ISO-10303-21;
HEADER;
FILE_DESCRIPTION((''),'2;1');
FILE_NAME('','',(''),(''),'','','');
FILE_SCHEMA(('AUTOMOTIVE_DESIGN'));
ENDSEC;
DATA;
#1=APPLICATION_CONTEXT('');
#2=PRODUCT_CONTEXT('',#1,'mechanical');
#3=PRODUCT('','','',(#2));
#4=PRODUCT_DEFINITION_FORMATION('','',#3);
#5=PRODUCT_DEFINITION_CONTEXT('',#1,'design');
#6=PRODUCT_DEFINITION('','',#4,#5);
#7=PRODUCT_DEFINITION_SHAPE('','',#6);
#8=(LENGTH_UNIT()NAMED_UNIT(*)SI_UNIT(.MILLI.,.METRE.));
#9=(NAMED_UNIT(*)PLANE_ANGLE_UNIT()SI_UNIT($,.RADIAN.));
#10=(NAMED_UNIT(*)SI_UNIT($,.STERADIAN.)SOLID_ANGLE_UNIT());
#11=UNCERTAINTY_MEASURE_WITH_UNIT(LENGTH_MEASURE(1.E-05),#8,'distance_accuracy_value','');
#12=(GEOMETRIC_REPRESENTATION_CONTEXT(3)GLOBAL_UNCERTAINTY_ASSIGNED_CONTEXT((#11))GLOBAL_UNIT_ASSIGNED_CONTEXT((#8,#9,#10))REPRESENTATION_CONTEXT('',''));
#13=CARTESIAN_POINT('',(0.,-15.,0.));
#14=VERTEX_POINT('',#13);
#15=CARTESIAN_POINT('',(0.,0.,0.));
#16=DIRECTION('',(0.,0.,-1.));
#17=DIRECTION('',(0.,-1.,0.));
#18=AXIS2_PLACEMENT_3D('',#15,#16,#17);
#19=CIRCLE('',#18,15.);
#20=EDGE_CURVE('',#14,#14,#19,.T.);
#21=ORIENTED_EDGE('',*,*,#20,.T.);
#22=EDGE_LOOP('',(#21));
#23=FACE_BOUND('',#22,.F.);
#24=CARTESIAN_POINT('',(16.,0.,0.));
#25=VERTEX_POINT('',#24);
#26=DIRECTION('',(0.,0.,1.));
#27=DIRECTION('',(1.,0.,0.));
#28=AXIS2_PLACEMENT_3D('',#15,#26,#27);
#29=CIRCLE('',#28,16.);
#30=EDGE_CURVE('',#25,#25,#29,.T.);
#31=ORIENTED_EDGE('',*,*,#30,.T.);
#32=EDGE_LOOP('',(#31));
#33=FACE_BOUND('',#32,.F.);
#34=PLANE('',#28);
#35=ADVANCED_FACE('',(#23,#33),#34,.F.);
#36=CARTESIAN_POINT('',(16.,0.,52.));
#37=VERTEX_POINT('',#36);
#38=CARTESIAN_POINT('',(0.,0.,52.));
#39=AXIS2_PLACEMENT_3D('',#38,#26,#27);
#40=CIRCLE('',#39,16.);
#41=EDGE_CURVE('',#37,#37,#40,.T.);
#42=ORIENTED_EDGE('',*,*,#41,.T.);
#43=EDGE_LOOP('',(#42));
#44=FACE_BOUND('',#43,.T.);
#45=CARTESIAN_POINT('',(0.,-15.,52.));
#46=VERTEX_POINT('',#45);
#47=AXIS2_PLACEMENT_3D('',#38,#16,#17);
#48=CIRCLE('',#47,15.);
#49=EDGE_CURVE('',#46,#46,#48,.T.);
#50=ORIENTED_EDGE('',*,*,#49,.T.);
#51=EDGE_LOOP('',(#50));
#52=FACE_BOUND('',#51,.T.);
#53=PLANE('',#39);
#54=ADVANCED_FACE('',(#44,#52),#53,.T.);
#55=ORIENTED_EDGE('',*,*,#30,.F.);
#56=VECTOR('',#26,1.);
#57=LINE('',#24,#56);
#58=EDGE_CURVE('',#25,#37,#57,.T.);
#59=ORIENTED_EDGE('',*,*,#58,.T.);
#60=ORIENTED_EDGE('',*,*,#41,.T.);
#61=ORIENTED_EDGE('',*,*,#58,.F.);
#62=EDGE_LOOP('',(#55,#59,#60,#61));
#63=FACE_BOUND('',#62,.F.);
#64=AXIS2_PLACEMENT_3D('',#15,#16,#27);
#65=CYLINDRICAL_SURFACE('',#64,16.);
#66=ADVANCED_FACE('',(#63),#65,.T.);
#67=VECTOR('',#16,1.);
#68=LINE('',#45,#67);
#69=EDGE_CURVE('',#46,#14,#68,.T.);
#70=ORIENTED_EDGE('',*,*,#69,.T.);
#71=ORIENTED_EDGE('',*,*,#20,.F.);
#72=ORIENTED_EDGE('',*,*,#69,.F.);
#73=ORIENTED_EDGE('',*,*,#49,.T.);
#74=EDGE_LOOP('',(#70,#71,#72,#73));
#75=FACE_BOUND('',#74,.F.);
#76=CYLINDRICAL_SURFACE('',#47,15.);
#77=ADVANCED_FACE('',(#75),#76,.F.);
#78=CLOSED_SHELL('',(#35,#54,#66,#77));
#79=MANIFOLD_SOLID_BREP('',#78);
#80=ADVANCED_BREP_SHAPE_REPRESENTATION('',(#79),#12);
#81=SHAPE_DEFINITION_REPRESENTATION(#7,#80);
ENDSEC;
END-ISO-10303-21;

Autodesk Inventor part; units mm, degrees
ref_plane "YZ Plane" through (0, 0, 0) normal (1, 0, 0) x (0, 1, 0)
ref_plane "XZ Plane" through (0, 0, 0) normal (0, 1, 0) x (-1, 0, 0)
ref_plane "XY Plane" through (0, 0, 0) normal (0, 0, 1) x (1, 0, 0)
sketch "Sketch2" plane through (0, 0, 0) normal (0, 0, 1) x (1, 0, 0)
  line L0 (-22.4, 0) -> (22.4, 0) construction
  line L1 (0, -22.4) -> (0, 22.4) construction
  circle A0 centre (0, 0) radius 16
  dimension "d0" = 32
extrude "Extrusion1" add sketch "Sketch2" along normal blind 52
sketch "Sketch3" plane through (0, 0, 52) normal (0, 0, 1) x (1, 0, 0)
  point P0 (0, 0)
hole "Hole1" at (0, 0, 52) direction (0, 0, -1) diameter 30 end through all
properties part number "P001" material "Iron, Gray"
